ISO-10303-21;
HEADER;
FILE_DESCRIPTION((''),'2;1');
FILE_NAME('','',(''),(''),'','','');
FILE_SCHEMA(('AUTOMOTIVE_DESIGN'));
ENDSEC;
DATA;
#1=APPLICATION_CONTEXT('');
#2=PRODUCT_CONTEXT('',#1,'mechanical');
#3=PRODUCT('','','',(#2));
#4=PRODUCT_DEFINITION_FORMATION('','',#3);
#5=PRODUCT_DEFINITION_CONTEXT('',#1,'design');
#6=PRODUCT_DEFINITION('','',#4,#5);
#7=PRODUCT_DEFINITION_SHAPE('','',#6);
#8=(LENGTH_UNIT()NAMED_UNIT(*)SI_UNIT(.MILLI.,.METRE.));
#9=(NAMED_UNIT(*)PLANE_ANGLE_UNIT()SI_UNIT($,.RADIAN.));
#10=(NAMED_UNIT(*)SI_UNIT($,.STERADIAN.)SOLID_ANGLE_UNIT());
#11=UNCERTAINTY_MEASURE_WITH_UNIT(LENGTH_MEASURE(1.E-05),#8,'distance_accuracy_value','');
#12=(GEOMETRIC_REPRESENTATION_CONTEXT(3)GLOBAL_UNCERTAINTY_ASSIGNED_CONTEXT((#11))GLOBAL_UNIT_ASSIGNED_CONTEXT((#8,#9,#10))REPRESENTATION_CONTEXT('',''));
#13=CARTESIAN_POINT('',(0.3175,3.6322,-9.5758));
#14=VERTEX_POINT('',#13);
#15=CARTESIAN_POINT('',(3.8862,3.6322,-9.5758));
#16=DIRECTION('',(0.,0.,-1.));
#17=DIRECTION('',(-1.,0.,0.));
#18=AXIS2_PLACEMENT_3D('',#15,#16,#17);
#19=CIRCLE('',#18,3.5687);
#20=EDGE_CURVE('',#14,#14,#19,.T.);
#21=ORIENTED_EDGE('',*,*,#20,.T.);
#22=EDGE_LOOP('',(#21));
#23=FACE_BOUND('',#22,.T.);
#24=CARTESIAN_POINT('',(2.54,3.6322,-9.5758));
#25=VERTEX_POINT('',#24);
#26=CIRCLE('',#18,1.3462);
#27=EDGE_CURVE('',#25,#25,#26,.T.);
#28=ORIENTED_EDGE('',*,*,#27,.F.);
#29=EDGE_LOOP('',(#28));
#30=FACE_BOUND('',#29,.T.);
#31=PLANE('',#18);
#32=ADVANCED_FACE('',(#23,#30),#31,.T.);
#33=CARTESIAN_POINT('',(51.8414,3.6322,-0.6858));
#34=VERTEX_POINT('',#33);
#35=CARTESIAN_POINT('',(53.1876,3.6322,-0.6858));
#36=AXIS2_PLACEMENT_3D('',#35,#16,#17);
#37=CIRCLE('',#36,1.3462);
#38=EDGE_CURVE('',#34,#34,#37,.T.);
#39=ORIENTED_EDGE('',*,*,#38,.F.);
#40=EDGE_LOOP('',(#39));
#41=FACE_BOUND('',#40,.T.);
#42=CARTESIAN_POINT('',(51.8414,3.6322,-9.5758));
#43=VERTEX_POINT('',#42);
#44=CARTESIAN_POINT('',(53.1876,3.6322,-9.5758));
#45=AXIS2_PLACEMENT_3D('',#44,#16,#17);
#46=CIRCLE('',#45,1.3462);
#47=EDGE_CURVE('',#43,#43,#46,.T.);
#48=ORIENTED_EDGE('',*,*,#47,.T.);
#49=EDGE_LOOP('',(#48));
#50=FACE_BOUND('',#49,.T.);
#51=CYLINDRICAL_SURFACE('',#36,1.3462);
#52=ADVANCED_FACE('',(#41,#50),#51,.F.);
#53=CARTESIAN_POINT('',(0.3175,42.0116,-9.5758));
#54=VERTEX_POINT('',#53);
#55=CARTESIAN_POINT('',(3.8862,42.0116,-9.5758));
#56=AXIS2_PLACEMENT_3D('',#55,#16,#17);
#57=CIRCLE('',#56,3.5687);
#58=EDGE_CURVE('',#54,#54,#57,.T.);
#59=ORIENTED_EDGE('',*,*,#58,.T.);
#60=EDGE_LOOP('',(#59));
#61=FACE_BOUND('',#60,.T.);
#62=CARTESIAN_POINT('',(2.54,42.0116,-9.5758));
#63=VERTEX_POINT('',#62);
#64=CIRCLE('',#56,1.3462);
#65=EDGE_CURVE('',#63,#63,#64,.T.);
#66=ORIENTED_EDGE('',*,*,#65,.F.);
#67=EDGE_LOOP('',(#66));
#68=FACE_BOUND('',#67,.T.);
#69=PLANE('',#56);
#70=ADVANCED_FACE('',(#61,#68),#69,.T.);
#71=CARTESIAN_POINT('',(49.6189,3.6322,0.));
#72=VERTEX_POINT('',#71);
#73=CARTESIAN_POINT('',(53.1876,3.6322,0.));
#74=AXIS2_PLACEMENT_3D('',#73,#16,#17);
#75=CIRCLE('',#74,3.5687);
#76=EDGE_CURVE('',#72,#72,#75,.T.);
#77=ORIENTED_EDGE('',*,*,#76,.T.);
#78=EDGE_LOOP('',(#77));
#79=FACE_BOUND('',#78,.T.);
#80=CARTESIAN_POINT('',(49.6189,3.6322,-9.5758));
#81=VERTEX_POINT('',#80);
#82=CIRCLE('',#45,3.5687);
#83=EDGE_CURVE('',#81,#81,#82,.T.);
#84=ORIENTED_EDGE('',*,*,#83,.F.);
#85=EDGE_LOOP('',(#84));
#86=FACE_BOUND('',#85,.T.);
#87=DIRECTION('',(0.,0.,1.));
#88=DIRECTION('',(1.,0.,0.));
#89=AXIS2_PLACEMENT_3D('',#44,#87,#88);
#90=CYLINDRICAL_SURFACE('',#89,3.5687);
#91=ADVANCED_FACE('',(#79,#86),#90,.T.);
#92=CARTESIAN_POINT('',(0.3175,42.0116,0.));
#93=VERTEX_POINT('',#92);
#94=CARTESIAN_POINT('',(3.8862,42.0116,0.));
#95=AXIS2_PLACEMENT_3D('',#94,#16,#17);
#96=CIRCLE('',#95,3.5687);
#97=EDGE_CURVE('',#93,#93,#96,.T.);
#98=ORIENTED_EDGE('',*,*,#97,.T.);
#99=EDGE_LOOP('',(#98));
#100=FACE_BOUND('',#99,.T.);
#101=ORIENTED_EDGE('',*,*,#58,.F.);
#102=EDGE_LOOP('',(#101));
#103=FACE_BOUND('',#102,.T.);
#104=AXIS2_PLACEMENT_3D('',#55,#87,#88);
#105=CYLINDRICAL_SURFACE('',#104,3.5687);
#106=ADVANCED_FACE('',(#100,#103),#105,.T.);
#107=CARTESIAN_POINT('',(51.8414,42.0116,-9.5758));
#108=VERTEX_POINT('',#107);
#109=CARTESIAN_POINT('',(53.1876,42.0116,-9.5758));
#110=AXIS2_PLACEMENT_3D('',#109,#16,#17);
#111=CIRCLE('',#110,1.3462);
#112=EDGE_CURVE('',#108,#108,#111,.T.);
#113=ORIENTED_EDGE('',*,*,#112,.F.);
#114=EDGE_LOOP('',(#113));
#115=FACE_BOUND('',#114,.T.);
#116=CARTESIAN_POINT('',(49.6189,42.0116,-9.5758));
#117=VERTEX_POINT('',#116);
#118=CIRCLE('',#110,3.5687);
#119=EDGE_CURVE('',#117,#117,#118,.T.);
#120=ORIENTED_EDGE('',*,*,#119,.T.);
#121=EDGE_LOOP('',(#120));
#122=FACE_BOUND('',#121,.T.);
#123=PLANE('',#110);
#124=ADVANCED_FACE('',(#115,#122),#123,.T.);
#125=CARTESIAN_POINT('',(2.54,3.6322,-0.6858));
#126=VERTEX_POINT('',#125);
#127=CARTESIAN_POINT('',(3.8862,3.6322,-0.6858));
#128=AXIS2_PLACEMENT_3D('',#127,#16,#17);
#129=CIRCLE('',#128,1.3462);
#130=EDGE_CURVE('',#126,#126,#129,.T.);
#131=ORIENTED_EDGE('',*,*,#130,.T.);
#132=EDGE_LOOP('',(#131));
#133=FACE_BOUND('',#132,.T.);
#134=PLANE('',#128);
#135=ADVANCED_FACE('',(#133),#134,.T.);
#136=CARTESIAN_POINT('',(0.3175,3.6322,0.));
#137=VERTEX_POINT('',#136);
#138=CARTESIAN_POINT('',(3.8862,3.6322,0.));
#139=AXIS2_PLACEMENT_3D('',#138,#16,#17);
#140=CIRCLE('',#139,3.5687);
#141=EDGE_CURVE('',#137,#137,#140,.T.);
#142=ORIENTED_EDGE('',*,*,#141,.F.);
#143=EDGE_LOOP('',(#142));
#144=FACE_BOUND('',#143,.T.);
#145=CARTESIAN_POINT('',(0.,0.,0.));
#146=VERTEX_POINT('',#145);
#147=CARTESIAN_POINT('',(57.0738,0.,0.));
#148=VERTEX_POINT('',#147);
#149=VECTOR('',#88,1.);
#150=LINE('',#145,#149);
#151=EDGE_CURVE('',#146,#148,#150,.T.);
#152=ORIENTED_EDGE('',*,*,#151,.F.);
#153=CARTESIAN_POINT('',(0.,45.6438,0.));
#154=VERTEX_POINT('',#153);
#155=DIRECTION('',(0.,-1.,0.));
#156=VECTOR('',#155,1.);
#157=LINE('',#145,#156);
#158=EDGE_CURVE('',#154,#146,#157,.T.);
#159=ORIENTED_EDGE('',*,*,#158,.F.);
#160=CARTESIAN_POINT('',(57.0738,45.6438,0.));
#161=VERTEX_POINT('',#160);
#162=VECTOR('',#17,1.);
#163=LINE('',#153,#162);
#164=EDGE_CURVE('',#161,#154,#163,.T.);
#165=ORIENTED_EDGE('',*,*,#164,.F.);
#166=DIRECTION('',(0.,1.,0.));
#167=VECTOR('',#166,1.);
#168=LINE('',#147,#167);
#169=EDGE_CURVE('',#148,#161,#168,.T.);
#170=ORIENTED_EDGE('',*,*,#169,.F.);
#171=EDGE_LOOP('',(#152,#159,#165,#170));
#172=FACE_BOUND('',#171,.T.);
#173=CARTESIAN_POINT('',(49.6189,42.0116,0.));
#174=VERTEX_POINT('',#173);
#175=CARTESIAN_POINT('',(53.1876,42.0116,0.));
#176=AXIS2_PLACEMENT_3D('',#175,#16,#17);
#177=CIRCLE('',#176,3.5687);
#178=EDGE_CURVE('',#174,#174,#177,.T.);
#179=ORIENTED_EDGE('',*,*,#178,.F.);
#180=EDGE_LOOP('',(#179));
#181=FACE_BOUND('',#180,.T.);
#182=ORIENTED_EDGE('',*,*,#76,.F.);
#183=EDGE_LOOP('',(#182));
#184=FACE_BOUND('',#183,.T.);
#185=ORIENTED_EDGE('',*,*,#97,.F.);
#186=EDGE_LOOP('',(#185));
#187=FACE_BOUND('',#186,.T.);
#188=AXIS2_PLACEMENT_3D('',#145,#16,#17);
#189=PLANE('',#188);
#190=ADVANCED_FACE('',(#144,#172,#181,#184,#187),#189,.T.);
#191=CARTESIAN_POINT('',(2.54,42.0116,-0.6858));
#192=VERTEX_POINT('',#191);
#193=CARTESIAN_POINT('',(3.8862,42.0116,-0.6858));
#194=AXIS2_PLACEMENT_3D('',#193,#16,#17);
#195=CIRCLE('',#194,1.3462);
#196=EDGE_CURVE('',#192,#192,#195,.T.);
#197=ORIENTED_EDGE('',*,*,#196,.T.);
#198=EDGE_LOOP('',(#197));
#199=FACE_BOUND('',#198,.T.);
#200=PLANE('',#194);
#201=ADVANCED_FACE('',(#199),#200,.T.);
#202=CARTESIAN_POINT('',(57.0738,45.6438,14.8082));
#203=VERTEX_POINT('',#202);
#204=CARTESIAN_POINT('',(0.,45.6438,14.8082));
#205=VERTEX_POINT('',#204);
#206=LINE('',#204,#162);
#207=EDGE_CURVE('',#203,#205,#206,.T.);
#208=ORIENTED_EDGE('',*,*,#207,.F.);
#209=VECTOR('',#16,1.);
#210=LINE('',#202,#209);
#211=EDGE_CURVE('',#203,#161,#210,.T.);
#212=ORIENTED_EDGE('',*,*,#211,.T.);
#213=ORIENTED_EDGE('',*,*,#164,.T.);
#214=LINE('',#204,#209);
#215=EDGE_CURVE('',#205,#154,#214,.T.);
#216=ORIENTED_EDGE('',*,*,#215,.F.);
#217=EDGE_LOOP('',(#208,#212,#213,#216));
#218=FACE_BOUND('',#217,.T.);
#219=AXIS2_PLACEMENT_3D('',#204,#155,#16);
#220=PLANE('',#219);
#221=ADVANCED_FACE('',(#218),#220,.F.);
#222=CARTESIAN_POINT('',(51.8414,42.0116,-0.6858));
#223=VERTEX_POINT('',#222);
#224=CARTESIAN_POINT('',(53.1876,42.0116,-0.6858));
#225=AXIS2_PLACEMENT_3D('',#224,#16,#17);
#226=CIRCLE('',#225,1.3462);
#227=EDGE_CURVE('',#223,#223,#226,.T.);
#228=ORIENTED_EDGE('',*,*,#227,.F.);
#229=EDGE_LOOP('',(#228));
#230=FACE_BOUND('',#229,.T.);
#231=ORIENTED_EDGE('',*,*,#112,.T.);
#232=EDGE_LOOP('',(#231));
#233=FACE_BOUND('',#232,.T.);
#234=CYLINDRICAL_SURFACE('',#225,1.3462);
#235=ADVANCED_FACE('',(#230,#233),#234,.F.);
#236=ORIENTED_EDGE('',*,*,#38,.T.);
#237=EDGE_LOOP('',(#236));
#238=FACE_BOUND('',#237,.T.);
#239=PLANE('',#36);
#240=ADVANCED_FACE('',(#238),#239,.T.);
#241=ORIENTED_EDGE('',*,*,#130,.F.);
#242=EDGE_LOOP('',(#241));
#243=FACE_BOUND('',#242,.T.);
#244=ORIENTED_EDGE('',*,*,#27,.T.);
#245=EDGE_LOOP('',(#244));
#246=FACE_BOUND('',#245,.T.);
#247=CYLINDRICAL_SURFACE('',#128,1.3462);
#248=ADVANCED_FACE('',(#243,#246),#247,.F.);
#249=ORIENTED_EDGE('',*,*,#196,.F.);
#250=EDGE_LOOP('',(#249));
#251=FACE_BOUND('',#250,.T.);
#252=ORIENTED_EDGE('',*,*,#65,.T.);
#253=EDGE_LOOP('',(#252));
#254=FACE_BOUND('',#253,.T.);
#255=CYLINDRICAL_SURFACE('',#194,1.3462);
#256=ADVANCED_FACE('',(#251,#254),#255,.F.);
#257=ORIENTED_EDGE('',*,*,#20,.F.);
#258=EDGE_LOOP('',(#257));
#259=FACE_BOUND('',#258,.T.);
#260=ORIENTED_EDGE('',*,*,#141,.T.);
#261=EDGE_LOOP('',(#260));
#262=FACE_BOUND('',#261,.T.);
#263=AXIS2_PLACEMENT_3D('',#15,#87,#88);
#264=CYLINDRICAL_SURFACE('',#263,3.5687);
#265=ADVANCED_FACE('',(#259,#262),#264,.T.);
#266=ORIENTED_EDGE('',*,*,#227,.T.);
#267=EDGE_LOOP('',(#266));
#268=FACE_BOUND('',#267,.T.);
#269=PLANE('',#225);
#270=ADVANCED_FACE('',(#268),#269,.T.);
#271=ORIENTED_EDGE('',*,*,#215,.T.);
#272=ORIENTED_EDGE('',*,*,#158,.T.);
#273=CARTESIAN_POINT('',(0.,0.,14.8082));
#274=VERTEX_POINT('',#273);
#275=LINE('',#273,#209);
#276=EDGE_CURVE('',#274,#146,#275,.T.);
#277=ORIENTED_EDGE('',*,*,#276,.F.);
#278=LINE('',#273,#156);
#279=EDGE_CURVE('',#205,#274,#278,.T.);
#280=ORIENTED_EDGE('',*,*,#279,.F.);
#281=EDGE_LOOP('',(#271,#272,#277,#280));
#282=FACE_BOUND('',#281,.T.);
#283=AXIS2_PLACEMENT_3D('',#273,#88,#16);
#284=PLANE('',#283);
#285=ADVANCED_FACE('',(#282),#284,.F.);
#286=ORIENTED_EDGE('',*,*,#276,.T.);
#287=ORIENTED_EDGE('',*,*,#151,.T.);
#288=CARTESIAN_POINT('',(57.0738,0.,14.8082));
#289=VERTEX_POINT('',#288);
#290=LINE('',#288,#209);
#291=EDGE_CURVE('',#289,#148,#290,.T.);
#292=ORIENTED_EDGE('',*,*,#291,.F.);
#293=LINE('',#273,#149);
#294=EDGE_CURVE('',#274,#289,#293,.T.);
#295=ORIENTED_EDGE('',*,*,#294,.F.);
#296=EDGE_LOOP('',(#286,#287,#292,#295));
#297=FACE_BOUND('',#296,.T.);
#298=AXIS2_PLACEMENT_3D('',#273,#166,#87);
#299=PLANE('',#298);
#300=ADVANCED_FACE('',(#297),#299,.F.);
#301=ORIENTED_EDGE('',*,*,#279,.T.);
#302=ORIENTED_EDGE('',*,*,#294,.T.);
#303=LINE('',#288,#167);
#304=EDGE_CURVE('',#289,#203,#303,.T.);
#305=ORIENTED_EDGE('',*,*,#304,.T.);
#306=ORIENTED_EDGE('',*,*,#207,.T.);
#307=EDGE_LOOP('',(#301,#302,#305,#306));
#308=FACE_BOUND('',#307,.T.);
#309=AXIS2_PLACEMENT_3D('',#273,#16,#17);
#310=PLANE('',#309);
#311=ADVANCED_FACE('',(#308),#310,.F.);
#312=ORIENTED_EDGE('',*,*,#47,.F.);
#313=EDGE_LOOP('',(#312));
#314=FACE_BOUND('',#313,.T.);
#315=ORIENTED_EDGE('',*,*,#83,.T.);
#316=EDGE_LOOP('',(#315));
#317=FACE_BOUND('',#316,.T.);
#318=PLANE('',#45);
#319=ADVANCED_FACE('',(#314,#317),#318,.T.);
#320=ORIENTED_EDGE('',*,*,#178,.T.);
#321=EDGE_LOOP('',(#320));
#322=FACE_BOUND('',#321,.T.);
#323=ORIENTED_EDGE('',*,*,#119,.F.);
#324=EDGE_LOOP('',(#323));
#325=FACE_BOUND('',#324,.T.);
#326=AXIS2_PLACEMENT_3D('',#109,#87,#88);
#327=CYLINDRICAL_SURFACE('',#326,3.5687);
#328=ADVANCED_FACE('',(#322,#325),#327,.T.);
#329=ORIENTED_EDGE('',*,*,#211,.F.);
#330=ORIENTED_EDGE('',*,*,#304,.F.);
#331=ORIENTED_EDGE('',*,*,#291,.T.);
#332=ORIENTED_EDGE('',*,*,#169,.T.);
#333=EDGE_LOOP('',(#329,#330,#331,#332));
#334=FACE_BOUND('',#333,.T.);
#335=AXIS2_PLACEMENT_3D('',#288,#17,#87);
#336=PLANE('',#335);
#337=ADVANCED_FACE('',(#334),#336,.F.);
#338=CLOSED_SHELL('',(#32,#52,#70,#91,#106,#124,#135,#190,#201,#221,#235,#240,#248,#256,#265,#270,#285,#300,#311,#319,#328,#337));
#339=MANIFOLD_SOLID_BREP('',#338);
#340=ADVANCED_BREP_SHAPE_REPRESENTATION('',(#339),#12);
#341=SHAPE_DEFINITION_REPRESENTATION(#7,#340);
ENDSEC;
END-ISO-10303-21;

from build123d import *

# Parameters (mm, degrees)
SKETCH1_W           = 57.0738
SKETCH1_H           = 45.6438
BOSS_EXTRUDE1_DEPTH = 14.8082
SKETCH2_R           = 3.5687
BOSS_EXTRUDE2_DEPTH = 9.5758
SKETCH3_R           = 1.3462
CUT_EXTRUDE1_DEPTH  = 8.89


with BuildPart() as part:
    # Sketch1 → Boss-Extrude1 (new body)
    with BuildSketch(Plane.XY):
        with Locations((28.5369, 22.8219)):
            Rectangle(SKETCH1_W, SKETCH1_H)
    extrude(amount=BOSS_EXTRUDE1_DEPTH)

    # Sketch2 → Boss-Extrude2 (add)
    with BuildSketch(Plane(origin=(0, 0, 0), x_dir=(-1, 0, 0), z_dir=(0, 0, -1))):
        with Locations((-3.8862, 42.0116)):
            Circle(SKETCH2_R)
        with Locations((-3.8862, 3.6322)):
            Circle(SKETCH2_R)
        with Locations((-53.1876, 3.6322)):
            Circle(SKETCH2_R)
        with Locations((-53.1876, 42.0116)):
            Circle(SKETCH2_R)
    extrude(amount=BOSS_EXTRUDE2_DEPTH)

    # Sketch3 → Cut-Extrude1 (cut)
    with BuildSketch(Plane(origin=(0, 0, -9.5758), x_dir=(-1, 0, 0), z_dir=(0, 0, -1))):
        with Locations((-3.8862, 3.6322)):
            Circle(SKETCH3_R)
        with Locations((-53.1876, 3.6322)):
            Circle(SKETCH3_R)
        with Locations((-53.1876, 42.0116)):
            Circle(SKETCH3_R)
        with Locations((-3.8862, 42.0116)):
            Circle(SKETCH3_R)
    extrude(amount=-CUT_EXTRUDE1_DEPTH, mode=Mode.SUBTRACT)


solid = part.part
